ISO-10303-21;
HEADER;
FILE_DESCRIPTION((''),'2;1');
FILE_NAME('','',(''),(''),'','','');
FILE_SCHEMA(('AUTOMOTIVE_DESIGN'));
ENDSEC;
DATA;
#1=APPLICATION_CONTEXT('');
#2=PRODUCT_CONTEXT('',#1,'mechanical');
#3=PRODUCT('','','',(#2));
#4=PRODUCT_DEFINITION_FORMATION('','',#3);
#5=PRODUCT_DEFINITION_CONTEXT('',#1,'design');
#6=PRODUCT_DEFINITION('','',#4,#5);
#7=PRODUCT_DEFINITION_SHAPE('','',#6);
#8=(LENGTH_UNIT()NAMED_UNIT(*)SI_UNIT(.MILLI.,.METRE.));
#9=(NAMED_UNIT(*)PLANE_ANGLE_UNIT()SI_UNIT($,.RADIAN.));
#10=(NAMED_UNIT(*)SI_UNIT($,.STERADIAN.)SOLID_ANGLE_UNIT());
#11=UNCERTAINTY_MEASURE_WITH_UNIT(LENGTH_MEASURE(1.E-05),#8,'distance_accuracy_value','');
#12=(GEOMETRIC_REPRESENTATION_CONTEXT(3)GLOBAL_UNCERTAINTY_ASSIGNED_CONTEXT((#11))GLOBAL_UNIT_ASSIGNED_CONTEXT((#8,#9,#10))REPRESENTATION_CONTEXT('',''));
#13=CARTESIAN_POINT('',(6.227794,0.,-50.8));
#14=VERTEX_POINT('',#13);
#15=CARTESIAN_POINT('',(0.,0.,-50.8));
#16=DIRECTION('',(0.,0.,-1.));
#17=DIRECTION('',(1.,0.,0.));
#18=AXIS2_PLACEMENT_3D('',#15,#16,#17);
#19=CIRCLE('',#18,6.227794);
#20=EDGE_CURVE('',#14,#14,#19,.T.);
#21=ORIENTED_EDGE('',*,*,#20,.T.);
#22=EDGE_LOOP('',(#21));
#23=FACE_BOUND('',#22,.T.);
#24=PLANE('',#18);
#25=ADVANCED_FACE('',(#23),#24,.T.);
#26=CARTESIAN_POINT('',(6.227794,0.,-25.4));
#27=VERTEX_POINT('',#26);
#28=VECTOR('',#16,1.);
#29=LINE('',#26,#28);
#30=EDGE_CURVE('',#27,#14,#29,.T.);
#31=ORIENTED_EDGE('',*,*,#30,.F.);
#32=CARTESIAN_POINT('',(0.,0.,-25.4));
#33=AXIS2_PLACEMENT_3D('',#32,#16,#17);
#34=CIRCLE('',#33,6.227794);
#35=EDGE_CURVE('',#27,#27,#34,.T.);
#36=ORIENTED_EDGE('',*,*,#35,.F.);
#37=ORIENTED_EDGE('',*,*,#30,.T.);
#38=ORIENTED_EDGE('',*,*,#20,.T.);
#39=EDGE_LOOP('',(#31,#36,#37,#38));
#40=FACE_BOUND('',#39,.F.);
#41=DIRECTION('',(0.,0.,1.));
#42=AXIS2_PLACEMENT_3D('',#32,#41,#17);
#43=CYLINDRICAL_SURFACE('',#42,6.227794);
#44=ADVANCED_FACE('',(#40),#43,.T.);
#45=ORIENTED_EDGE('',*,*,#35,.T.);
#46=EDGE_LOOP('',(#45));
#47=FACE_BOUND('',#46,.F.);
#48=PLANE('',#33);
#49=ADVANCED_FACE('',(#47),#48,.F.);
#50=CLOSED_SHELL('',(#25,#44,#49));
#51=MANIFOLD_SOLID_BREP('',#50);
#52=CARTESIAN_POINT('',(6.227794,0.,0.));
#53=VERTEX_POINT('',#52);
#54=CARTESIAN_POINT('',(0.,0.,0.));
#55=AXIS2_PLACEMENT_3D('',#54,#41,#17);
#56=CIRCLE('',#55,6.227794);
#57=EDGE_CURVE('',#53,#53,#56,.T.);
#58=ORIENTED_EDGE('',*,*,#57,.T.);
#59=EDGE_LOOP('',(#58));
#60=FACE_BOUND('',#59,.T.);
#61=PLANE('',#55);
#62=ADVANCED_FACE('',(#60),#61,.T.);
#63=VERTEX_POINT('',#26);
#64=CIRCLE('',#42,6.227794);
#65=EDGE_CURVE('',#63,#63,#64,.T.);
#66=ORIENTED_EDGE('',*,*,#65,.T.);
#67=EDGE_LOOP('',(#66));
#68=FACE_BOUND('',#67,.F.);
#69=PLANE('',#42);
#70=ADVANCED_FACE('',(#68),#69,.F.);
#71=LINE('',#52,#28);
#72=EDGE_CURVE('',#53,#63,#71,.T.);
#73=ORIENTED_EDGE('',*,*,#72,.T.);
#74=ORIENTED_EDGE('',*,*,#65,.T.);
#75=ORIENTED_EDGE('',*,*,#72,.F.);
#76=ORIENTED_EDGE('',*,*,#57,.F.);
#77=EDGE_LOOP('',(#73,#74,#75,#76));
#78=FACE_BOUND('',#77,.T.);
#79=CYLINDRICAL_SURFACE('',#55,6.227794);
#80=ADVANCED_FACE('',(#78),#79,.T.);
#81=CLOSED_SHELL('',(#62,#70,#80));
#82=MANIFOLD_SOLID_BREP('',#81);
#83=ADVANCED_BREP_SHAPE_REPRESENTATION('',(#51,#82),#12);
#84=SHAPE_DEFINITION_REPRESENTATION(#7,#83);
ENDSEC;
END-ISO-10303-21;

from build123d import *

# Parameters (mm, degrees)
F1_R      = 6.227794
F2_DEPTH  = 25.4
F2_FACE_R = 6.227794
F3_DEPTH  = 25.4


with BuildPart() as f2:
    # F1 (on Top) → F2 (new body)
    with BuildSketch(Plane.XY):
        Circle(F1_R)
    extrude(amount=-F2_DEPTH)


with BuildPart() as f3:
    # F2_face (on face) → F3 (new body)
    with BuildSketch(Plane(origin=(0, 0, -25.4), x_dir=(1, 0, 0), z_dir=(0, 0, -1))):
        Circle(F2_FACE_R)
    extrude(amount=F3_DEPTH)


solid = Compound([f2.part, f3.part])
